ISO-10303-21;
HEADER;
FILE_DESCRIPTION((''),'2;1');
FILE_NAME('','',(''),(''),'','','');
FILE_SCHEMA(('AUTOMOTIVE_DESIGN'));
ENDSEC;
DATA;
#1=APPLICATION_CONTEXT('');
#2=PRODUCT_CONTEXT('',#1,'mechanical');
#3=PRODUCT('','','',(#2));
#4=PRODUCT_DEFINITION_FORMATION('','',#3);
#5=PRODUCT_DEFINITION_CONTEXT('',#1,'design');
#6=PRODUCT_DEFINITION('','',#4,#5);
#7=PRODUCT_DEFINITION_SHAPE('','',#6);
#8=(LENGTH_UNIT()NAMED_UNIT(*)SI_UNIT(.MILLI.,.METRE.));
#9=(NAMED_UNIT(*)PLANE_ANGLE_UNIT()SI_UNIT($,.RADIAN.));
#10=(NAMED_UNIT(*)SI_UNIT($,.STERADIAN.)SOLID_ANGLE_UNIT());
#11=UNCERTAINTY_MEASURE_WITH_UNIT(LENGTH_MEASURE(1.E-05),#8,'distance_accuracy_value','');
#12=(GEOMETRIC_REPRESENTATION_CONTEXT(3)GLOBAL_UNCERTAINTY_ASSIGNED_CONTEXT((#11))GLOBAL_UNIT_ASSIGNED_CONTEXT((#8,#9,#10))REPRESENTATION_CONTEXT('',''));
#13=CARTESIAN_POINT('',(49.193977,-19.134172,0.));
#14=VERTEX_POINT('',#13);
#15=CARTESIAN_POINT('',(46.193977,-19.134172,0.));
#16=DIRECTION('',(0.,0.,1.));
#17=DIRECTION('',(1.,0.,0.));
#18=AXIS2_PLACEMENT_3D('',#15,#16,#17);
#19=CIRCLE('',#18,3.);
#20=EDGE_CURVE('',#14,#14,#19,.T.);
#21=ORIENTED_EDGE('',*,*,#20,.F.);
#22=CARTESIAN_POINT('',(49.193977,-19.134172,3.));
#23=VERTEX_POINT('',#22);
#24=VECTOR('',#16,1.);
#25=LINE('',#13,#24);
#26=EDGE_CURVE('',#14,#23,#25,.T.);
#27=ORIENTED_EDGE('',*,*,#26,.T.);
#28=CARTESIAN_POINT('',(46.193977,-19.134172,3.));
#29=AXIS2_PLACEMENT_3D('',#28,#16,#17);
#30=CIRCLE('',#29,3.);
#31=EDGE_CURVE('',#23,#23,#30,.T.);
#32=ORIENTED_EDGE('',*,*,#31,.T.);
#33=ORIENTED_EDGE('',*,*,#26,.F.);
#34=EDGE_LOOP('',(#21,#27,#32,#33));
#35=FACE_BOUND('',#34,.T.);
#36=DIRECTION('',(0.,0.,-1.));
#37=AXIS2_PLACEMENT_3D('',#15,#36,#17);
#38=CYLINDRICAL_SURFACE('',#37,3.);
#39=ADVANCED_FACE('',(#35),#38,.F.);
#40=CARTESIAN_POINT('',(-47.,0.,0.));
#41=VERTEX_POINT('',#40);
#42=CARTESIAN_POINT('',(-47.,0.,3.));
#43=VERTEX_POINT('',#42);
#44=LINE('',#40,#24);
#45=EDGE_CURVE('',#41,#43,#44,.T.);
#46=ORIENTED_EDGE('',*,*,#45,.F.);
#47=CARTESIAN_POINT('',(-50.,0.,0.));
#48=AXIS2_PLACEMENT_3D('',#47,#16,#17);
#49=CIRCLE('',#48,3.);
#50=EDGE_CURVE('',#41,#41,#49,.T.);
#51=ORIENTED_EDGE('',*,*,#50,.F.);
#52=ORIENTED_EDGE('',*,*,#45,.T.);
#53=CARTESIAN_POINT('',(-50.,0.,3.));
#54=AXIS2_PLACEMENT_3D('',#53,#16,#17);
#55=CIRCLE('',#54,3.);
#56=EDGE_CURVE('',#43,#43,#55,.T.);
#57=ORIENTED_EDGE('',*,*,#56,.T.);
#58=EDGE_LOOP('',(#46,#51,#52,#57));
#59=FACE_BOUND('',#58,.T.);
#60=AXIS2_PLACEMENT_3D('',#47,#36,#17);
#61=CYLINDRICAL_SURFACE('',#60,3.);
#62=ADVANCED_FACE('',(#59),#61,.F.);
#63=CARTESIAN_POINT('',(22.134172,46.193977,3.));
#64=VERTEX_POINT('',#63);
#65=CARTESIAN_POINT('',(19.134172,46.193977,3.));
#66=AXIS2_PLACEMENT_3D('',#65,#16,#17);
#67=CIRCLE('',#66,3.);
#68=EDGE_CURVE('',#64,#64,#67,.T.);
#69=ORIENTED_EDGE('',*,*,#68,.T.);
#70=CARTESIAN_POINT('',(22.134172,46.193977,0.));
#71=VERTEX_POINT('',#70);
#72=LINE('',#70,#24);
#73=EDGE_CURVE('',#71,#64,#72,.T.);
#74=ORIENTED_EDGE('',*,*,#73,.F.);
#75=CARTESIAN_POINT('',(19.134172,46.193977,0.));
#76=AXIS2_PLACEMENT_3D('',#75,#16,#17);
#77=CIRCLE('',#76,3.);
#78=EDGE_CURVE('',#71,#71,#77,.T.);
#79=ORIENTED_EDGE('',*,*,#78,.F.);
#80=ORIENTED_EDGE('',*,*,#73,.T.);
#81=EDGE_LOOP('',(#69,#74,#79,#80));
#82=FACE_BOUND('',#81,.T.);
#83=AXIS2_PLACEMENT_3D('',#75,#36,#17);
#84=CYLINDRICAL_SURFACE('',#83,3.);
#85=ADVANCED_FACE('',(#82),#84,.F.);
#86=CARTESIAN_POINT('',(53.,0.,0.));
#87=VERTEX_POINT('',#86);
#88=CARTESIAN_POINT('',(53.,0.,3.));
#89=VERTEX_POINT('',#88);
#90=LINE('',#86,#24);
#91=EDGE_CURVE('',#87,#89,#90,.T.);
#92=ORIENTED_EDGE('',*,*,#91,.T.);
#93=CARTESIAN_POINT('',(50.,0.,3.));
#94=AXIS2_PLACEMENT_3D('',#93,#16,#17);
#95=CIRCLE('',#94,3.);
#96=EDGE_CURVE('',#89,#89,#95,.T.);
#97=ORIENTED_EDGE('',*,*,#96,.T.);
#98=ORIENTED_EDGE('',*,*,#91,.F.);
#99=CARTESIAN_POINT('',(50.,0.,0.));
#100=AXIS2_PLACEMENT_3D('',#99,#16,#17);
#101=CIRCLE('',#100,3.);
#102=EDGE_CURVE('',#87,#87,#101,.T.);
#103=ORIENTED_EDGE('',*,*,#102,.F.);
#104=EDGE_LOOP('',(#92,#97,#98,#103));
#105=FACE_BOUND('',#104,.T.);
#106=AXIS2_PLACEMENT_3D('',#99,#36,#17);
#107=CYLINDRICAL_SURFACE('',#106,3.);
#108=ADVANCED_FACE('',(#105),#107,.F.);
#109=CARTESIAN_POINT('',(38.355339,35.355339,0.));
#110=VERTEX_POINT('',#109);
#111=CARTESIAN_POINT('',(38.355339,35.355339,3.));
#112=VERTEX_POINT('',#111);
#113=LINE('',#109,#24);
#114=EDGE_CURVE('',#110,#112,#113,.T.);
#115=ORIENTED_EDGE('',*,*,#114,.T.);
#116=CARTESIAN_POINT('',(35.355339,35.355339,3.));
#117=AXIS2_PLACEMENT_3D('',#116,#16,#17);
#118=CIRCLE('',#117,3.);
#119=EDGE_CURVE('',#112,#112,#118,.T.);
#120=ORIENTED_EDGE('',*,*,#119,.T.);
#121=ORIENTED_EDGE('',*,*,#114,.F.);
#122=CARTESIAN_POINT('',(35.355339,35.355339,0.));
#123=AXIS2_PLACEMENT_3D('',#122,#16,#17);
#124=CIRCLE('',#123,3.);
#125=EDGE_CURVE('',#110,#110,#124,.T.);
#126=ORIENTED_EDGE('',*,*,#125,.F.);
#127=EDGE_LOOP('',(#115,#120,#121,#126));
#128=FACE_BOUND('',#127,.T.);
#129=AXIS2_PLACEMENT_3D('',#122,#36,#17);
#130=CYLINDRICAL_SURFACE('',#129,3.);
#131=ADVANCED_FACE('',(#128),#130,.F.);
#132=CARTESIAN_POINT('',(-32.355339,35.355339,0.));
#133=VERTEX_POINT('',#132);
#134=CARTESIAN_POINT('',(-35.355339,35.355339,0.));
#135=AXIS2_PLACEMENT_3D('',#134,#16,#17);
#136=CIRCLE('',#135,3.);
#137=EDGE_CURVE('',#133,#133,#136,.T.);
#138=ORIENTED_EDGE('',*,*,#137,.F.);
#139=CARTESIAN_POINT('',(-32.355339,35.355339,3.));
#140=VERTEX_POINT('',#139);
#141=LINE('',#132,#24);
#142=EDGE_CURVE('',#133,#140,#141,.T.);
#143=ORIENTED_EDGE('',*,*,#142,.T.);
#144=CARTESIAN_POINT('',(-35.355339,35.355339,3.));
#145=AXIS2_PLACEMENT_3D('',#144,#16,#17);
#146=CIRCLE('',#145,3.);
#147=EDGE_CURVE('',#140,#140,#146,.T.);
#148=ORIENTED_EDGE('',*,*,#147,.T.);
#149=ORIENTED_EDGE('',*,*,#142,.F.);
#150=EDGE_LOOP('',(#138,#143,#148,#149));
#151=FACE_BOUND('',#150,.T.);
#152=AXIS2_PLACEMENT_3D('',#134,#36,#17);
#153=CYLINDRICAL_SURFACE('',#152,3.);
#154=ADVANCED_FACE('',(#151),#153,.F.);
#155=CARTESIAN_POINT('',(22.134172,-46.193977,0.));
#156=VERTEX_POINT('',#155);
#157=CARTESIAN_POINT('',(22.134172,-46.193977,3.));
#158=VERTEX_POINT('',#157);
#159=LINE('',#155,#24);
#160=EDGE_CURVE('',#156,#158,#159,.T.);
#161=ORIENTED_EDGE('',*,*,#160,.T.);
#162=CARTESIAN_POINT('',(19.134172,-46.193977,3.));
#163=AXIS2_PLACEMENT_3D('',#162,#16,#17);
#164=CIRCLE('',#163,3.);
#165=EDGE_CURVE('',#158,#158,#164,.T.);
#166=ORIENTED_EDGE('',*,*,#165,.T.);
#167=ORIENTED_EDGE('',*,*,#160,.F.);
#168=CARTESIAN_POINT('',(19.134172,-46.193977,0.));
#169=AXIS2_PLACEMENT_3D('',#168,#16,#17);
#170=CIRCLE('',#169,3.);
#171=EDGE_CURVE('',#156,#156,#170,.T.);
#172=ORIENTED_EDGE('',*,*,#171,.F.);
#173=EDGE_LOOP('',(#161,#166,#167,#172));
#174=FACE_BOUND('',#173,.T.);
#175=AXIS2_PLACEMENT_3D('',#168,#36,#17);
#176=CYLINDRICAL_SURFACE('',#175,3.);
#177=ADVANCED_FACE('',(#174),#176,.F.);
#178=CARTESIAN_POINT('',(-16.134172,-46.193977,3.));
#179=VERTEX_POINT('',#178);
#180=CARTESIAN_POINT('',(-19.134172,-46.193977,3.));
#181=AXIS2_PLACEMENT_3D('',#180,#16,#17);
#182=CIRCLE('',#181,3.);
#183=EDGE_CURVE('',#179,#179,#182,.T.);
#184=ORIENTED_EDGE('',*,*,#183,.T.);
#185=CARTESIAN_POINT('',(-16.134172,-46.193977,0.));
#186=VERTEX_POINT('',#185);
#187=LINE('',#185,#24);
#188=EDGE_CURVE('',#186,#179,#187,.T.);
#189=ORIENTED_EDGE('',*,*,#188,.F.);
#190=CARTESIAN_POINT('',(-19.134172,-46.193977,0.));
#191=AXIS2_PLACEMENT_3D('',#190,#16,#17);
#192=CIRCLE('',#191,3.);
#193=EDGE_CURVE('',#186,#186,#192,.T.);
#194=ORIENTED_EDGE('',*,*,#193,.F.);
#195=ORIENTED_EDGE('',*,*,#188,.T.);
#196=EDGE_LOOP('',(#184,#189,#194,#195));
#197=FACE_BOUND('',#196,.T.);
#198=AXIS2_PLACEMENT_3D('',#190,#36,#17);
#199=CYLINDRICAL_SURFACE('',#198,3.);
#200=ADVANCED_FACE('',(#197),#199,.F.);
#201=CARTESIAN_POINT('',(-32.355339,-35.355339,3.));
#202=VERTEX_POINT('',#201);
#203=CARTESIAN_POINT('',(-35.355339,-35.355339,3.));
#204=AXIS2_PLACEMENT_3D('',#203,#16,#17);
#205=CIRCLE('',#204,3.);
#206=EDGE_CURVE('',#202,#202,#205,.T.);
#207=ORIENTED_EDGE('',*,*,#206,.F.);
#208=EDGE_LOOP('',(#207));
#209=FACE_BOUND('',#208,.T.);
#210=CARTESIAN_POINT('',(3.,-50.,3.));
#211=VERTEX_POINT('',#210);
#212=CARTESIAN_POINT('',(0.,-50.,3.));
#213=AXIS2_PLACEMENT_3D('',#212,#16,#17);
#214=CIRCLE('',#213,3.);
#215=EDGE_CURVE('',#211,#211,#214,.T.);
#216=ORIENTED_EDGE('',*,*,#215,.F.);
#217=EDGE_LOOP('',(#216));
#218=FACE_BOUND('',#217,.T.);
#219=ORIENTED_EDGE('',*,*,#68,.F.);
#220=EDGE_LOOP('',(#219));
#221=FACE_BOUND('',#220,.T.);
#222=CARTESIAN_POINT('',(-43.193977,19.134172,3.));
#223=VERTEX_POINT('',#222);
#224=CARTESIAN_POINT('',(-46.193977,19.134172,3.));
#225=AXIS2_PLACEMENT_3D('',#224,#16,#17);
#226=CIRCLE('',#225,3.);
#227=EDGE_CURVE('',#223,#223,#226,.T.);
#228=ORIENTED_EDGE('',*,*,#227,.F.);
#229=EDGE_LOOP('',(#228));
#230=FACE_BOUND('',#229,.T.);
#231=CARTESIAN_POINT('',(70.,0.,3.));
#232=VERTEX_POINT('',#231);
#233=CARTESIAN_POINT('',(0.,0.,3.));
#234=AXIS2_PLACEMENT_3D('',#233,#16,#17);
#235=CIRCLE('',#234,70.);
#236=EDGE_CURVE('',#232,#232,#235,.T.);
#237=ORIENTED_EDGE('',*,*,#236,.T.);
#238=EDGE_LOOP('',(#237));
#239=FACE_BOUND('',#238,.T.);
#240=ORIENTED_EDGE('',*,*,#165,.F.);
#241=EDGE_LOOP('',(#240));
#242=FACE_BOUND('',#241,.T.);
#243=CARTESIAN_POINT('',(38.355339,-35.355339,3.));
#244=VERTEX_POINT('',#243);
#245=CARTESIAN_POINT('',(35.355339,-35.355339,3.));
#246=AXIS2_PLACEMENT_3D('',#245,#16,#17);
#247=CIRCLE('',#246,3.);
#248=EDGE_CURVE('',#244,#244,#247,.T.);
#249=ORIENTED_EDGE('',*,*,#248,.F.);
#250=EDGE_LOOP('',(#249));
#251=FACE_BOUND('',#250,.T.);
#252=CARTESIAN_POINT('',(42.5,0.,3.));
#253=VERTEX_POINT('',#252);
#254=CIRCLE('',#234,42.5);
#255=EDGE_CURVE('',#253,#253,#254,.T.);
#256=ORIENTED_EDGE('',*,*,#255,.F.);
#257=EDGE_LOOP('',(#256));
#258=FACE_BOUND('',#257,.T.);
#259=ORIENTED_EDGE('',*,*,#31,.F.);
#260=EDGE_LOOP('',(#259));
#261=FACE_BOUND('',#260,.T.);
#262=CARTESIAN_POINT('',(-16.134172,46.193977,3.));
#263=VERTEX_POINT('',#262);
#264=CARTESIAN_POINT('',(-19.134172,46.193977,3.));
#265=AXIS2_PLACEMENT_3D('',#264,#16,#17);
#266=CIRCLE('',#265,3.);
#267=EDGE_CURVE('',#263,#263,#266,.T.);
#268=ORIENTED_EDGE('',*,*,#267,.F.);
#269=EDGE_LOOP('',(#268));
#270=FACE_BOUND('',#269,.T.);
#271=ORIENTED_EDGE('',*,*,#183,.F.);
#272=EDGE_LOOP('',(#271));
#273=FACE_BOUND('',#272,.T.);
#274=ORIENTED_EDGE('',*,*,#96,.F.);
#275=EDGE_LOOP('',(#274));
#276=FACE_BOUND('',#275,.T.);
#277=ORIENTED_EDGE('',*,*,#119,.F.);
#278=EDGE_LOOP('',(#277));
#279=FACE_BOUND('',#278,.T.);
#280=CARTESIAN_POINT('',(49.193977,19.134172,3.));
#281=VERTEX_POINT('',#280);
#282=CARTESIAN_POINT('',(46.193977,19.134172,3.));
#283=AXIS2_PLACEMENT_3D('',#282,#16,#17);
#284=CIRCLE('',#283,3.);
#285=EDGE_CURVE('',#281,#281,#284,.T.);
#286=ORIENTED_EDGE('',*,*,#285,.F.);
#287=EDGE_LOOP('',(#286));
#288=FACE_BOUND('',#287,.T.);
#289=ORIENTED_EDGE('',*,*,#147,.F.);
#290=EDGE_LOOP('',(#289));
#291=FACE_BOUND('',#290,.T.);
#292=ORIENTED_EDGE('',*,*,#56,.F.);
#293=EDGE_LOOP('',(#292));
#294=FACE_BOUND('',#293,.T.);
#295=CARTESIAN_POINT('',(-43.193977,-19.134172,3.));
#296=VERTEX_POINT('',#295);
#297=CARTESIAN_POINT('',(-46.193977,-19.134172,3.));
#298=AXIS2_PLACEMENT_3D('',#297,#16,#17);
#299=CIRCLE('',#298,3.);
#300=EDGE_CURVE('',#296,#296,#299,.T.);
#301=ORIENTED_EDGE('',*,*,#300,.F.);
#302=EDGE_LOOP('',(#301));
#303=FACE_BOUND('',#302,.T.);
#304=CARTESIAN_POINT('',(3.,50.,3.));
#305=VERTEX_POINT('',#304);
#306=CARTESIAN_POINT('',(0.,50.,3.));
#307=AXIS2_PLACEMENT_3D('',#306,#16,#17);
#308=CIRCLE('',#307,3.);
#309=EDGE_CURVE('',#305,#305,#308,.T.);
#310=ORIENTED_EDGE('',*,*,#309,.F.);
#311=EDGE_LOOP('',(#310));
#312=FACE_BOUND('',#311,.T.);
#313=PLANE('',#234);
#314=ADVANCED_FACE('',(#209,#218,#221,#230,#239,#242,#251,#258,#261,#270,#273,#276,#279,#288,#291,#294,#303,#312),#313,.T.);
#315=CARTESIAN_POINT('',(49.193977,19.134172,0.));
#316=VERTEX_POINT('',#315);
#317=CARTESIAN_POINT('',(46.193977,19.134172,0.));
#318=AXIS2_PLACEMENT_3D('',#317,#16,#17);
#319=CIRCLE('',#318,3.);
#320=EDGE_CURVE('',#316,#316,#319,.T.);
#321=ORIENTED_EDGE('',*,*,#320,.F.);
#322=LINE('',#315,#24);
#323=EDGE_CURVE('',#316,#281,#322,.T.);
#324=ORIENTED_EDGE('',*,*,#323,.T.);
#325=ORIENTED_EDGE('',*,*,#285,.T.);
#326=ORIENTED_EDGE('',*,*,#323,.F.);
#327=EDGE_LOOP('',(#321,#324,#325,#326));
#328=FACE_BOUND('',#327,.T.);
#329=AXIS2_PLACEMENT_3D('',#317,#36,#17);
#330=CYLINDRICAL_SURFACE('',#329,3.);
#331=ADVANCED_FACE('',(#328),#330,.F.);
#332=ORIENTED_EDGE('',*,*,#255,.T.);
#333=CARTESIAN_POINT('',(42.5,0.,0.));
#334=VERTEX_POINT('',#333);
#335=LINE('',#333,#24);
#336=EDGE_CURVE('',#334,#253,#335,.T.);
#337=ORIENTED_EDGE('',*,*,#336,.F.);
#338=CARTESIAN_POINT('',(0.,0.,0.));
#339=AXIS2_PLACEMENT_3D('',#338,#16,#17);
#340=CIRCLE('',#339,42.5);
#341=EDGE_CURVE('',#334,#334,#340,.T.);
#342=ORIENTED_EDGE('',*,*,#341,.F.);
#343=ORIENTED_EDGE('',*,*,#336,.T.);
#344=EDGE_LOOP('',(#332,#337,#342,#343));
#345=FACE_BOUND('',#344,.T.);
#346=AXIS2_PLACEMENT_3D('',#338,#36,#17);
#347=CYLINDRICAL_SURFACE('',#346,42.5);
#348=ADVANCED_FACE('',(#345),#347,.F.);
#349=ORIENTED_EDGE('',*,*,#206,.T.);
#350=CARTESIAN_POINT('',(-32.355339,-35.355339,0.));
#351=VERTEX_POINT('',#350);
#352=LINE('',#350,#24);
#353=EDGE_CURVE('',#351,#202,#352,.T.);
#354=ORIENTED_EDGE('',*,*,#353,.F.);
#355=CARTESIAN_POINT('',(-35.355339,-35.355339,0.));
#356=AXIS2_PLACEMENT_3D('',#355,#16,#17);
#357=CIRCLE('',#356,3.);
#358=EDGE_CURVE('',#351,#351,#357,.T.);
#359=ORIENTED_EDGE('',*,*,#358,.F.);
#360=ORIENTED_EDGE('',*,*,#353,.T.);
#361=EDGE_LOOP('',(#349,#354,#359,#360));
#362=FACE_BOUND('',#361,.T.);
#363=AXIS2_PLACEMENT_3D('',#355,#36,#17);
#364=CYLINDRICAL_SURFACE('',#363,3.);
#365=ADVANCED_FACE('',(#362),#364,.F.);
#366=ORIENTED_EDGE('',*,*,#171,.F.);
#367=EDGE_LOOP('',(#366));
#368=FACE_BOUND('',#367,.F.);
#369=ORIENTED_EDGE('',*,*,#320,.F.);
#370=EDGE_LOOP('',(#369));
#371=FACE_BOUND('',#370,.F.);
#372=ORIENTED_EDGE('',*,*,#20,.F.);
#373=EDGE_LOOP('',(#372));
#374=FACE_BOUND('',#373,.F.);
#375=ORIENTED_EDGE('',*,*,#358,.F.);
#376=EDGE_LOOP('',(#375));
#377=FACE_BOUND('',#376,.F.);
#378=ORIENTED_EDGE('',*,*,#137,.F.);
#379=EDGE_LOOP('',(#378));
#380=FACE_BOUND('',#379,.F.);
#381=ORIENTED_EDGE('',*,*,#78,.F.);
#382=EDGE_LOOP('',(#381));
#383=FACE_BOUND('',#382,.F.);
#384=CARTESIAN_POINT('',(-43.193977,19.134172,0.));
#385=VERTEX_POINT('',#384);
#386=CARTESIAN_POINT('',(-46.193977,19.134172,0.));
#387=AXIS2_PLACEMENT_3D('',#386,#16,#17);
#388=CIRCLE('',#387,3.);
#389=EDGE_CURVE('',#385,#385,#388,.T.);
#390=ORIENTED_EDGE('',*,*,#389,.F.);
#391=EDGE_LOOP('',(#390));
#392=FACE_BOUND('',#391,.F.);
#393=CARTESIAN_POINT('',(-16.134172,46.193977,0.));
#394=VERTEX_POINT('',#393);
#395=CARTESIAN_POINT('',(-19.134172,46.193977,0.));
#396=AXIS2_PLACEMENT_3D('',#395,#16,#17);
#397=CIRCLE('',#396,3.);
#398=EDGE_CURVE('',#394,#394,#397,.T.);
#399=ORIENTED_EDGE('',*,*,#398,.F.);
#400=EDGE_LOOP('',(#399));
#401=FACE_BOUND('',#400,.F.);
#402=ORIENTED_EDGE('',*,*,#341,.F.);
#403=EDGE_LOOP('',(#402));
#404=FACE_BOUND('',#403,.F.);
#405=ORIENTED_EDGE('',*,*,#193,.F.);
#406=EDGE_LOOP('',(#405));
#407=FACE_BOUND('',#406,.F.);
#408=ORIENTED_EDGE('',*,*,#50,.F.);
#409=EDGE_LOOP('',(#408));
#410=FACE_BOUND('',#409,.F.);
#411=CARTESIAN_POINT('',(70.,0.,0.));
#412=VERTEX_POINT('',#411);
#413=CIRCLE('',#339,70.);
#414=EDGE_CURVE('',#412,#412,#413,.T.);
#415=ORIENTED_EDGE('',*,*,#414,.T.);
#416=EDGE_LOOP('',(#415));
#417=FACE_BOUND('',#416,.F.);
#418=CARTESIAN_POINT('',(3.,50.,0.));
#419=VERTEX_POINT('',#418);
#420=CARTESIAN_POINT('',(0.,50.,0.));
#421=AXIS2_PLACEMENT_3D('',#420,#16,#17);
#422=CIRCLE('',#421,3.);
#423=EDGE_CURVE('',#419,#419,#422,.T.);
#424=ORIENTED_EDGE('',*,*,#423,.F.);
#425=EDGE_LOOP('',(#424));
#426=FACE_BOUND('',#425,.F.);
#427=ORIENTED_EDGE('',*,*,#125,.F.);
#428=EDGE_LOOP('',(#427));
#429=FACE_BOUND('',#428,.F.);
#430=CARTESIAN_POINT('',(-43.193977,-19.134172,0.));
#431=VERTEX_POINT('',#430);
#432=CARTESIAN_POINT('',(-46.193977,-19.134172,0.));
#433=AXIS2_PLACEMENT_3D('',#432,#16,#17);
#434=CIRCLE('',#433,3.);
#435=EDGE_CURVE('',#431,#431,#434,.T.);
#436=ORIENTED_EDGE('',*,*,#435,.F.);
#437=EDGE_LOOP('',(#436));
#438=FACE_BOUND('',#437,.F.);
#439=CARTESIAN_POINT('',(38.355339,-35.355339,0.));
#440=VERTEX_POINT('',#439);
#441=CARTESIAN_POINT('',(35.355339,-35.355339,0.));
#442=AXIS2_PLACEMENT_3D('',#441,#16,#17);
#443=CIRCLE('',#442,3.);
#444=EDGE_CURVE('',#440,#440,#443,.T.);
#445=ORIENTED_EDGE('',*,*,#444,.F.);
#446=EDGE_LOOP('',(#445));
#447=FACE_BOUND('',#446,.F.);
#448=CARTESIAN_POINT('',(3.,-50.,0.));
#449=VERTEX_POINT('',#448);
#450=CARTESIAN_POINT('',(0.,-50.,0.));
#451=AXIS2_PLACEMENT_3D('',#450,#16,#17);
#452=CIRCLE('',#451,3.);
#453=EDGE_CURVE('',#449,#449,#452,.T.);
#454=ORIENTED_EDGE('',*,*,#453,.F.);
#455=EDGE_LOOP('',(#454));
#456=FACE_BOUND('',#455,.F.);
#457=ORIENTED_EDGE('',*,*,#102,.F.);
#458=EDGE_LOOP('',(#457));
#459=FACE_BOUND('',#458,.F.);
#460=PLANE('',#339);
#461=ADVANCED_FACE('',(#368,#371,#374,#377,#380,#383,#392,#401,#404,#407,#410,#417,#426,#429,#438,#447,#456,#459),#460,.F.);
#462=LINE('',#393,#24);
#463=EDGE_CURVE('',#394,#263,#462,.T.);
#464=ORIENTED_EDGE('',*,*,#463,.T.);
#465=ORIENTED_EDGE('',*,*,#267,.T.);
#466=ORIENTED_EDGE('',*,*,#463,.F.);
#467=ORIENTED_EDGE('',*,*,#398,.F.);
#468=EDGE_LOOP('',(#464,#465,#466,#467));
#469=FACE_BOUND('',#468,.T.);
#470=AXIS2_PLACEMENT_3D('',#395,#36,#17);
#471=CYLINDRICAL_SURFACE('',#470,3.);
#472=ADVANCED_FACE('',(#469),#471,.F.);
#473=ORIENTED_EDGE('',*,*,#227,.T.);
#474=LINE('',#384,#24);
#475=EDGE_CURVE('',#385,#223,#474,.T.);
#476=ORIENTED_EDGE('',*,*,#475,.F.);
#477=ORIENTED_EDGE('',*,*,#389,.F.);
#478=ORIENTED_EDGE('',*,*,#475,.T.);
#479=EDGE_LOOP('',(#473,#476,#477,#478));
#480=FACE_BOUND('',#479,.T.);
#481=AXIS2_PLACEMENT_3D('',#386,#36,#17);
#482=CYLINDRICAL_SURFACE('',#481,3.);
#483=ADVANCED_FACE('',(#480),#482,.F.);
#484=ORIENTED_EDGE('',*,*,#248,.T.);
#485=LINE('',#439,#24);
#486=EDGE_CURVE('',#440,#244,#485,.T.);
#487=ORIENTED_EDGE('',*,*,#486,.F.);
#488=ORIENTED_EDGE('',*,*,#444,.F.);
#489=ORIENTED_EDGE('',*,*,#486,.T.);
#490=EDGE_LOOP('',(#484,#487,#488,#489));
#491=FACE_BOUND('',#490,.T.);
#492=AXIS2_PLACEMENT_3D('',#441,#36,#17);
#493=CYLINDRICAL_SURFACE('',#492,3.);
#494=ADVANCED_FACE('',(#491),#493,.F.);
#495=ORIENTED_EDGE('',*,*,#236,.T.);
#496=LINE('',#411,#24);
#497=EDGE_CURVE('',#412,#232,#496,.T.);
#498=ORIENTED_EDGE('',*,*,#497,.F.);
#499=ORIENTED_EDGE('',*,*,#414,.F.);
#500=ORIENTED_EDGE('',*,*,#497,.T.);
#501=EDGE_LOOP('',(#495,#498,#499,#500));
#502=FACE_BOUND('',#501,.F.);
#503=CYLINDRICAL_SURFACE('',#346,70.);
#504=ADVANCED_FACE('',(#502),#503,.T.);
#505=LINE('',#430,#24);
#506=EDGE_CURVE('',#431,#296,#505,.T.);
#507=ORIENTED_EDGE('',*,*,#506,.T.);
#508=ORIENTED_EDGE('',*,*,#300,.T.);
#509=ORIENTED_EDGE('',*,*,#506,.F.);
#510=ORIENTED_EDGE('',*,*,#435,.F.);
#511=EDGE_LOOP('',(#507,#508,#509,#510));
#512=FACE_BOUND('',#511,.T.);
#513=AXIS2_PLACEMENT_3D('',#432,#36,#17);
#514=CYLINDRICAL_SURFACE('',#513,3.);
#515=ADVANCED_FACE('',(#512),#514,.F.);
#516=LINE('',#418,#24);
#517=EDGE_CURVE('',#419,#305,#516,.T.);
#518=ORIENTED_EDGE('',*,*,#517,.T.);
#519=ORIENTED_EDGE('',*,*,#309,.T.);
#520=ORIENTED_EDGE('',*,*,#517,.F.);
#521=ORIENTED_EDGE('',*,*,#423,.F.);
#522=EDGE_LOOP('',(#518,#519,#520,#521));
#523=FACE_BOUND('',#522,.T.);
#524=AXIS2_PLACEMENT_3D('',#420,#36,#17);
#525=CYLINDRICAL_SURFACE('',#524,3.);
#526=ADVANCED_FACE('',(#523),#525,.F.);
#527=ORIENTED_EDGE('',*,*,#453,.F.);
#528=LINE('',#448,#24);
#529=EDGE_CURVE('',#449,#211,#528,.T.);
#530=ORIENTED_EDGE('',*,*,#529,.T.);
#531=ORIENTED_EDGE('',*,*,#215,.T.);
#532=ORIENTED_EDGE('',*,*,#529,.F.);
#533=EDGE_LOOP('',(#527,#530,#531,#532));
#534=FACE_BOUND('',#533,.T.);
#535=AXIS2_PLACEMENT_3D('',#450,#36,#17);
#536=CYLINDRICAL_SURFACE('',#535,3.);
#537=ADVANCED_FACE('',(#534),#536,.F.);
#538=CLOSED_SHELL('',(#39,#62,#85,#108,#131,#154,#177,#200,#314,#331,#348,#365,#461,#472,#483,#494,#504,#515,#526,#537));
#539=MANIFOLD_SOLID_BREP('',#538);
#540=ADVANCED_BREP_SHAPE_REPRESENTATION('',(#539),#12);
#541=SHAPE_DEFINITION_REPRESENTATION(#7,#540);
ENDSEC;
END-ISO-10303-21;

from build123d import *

# Parameters (mm, degrees)
F0_R     = 70
F0_R_2   = 3
F0_R_3   = 42.5
F1_DEPTH = 3


with BuildPart() as f1:
    # F0 (on Top) → F1 (new body)
    with BuildSketch(Plane.XY):
        Circle(F0_R)
        with Locations((-35.355339, -35.355339)):
            Circle(F0_R_2, mode=Mode.SUBTRACT)
        with Locations((-19.134172, -46.193977)):
            Circle(F0_R_2, mode=Mode.SUBTRACT)
        with Locations((-46.193977, -19.134172)):
            Circle(F0_R_2, mode=Mode.SUBTRACT)
        with Locations((0, -50)):
            Circle(F0_R_2, mode=Mode.SUBTRACT)
        with Locations((19.134172, -46.193977)):
            Circle(F0_R_2, mode=Mode.SUBTRACT)
        with Locations((35.355339, -35.355339)):
            Circle(F0_R_2, mode=Mode.SUBTRACT)
        with Locations((46.193977, -19.134172)):
            Circle(F0_R_2, mode=Mode.SUBTRACT)
        with Locations((-50, 0)):
            Circle(F0_R_2, mode=Mode.SUBTRACT)
        with Locations((-46.193977, 19.134172)):
            Circle(F0_R_2, mode=Mode.SUBTRACT)
        with Locations((-35.355339, 35.355339)):
            Circle(F0_R_2, mode=Mode.SUBTRACT)
        with Locations((-19.134172, 46.193977)):
            Circle(F0_R_2, mode=Mode.SUBTRACT)
        Circle(F0_R_3, mode=Mode.SUBTRACT)
        with Locations((50, 0)):
            Circle(F0_R_2, mode=Mode.SUBTRACT)
        with Locations((46.193977, 19.134172)):
            Circle(F0_R_2, mode=Mode.SUBTRACT)
        with Locations((0, 50)):
            Circle(F0_R_2, mode=Mode.SUBTRACT)
        with Locations((19.134172, 46.193977)):
            Circle(F0_R_2, mode=Mode.SUBTRACT)
        with Locations((35.355339, 35.355339)):
            Circle(F0_R_2, mode=Mode.SUBTRACT)
    extrude(amount=F1_DEPTH)


solid = f1.part
